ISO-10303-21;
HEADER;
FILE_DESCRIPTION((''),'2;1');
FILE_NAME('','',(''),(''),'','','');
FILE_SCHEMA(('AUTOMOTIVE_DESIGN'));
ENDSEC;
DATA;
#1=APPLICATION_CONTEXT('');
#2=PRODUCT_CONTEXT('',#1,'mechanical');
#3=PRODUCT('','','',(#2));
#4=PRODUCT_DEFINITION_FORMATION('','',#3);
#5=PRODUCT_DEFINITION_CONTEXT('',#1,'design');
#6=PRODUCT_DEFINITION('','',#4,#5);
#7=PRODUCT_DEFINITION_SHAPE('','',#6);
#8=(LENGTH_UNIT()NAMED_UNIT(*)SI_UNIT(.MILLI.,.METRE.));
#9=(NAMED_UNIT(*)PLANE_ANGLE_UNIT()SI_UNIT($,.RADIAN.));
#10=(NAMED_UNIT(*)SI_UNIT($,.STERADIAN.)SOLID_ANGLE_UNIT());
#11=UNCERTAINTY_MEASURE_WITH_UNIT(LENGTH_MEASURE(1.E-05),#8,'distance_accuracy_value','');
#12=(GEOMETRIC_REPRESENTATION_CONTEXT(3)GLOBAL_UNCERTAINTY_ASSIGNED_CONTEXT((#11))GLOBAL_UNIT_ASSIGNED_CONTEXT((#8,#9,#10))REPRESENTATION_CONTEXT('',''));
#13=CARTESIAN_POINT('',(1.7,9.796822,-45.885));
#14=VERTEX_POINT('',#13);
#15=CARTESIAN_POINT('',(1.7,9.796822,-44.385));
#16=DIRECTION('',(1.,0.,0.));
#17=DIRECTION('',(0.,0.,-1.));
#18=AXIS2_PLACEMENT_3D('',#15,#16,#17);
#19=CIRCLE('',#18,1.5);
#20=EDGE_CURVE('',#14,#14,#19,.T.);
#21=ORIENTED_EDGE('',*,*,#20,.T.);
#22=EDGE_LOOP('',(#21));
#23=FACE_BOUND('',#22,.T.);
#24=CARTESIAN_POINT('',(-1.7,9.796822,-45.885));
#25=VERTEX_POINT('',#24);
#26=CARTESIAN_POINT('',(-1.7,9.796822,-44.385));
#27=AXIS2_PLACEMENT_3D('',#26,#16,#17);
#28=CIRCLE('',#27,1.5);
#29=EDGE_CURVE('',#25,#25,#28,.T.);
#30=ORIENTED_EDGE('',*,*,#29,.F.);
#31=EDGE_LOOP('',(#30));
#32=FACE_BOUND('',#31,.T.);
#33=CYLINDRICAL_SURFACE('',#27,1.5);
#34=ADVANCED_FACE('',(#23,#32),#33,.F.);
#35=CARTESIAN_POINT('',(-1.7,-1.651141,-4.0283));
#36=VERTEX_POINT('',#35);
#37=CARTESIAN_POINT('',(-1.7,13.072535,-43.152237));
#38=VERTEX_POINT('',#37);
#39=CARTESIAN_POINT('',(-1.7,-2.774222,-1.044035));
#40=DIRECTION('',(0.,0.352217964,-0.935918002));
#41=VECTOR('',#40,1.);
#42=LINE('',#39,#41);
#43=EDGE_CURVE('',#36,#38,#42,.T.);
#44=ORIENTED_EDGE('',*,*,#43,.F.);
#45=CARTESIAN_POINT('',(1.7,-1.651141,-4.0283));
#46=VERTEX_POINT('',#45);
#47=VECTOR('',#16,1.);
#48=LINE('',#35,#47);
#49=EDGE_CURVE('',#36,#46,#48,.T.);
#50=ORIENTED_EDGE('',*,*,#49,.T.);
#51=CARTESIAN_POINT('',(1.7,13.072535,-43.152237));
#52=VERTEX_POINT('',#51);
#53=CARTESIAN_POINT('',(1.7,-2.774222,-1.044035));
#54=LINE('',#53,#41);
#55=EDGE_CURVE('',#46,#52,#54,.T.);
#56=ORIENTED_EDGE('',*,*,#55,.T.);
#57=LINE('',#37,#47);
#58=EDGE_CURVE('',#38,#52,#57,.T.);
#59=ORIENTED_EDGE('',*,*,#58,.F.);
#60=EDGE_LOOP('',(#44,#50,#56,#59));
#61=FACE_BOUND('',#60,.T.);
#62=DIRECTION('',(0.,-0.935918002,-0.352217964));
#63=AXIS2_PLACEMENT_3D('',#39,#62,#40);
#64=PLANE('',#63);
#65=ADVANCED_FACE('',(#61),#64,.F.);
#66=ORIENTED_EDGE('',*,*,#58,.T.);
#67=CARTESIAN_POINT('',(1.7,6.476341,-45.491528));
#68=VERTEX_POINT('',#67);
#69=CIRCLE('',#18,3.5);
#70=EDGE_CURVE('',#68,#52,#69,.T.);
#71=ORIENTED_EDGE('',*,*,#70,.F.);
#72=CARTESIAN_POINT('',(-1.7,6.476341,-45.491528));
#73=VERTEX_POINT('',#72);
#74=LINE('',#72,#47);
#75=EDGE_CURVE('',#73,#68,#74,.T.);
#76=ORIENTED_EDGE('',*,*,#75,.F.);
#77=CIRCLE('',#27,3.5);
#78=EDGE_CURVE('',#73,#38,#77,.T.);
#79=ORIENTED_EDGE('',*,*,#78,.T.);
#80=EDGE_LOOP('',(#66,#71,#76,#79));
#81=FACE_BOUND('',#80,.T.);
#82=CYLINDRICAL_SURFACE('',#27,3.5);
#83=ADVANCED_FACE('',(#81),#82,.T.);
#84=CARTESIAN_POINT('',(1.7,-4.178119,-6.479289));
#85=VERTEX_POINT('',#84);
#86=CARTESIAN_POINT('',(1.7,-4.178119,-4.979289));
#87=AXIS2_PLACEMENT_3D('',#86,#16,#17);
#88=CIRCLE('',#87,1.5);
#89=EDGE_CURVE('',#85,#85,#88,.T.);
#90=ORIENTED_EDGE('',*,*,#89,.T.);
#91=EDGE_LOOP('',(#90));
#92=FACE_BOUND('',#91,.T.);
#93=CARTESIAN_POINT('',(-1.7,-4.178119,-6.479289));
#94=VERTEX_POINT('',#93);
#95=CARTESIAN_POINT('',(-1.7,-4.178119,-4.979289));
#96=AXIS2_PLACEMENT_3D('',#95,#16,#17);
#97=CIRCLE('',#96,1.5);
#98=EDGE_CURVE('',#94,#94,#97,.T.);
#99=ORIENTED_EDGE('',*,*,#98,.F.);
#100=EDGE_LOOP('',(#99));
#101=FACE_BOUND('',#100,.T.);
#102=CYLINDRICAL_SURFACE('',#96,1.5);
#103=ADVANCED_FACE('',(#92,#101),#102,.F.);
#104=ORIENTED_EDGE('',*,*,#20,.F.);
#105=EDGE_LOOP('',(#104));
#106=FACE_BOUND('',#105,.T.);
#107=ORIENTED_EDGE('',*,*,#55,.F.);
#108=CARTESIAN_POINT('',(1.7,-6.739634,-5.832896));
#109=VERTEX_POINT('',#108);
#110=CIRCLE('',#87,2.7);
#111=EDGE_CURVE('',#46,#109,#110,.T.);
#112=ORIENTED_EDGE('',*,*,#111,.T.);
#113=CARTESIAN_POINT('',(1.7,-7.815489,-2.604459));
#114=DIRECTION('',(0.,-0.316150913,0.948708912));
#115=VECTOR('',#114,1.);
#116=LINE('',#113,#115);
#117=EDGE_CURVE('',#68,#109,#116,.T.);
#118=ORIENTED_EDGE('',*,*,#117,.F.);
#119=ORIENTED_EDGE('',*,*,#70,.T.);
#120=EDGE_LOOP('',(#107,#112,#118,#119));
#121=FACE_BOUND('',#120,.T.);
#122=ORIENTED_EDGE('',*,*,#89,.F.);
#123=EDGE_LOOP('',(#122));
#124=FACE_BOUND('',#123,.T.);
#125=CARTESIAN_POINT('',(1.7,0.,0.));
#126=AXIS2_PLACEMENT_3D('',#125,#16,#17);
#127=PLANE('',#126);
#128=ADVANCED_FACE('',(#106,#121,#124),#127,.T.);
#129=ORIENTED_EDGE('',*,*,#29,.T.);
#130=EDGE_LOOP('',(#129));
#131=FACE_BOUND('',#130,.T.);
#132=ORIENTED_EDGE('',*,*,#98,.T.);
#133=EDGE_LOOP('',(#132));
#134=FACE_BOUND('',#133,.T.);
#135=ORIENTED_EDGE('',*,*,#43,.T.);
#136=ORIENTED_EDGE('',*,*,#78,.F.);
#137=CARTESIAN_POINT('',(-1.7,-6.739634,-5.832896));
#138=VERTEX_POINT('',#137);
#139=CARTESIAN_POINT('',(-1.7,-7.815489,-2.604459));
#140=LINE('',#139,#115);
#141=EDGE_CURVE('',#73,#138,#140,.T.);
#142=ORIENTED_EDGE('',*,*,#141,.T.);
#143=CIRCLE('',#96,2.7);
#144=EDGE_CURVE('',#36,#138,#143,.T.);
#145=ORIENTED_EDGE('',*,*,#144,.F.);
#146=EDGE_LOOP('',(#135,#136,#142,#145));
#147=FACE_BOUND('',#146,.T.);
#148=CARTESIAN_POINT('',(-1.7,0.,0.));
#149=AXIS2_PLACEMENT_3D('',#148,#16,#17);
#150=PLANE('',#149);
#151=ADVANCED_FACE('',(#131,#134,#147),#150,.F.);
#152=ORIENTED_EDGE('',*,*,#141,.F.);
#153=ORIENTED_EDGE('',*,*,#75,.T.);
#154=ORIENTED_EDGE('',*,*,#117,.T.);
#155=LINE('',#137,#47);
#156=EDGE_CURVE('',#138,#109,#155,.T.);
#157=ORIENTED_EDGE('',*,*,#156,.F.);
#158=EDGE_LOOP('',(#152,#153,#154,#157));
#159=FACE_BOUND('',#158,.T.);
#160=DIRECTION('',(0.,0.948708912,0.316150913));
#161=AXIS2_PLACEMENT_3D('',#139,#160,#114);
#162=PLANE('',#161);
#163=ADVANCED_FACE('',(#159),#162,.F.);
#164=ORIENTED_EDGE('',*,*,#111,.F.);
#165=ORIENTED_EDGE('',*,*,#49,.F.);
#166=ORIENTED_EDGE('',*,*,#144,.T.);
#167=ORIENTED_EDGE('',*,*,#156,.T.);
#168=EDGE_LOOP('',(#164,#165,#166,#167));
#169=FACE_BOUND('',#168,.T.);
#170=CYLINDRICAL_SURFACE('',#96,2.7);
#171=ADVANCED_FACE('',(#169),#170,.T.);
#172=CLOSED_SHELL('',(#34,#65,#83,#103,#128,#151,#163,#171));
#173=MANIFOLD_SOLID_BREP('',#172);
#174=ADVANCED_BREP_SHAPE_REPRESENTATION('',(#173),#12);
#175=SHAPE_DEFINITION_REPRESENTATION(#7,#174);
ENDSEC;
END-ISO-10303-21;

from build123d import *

# Parameters (mm, degrees)
BOSS_EXTRUDE1_DEPTH      = 1.7
BOSS_EXTRUDE1_DEPTH_BACK = 1.7
SKETCH1_R                = 1.5


with BuildPart() as part:
    # Sketch1 → Boss-Extrude1 (new, two sides: drawn at the far end of the back side and taken through both)
    with BuildSketch(Plane(origin=(0, 0, 0), x_dir=(0, 0, -1), z_dir=(1, 0, 0)).offset(-BOSS_EXTRUDE1_DEPTH_BACK)):
        with BuildLine():
            Line((43.152237127, 13.072535054), (4.028300378, -1.651140858))
            ThreePointArc((4.028300378, -1.651140858), (2.434576682, -5.080582662), (5.832896346, -6.739633526))
            Line((5.832896346, -6.739633526), (45.491528196, 6.476340855))
            ThreePointArc((45.491528196, 6.476340855), (47.683700998, 10.966681751), (43.152237127, 13.072535054))
        make_face()
        with Locations((44.385, 9.796822048)):
            Circle(SKETCH1_R, mode=Mode.SUBTRACT)
        with Locations((4.97928888, -4.178119463)):
            Circle(SKETCH1_R, mode=Mode.SUBTRACT)
    extrude(amount=BOSS_EXTRUDE1_DEPTH + BOSS_EXTRUDE1_DEPTH_BACK)


solid = part.part
